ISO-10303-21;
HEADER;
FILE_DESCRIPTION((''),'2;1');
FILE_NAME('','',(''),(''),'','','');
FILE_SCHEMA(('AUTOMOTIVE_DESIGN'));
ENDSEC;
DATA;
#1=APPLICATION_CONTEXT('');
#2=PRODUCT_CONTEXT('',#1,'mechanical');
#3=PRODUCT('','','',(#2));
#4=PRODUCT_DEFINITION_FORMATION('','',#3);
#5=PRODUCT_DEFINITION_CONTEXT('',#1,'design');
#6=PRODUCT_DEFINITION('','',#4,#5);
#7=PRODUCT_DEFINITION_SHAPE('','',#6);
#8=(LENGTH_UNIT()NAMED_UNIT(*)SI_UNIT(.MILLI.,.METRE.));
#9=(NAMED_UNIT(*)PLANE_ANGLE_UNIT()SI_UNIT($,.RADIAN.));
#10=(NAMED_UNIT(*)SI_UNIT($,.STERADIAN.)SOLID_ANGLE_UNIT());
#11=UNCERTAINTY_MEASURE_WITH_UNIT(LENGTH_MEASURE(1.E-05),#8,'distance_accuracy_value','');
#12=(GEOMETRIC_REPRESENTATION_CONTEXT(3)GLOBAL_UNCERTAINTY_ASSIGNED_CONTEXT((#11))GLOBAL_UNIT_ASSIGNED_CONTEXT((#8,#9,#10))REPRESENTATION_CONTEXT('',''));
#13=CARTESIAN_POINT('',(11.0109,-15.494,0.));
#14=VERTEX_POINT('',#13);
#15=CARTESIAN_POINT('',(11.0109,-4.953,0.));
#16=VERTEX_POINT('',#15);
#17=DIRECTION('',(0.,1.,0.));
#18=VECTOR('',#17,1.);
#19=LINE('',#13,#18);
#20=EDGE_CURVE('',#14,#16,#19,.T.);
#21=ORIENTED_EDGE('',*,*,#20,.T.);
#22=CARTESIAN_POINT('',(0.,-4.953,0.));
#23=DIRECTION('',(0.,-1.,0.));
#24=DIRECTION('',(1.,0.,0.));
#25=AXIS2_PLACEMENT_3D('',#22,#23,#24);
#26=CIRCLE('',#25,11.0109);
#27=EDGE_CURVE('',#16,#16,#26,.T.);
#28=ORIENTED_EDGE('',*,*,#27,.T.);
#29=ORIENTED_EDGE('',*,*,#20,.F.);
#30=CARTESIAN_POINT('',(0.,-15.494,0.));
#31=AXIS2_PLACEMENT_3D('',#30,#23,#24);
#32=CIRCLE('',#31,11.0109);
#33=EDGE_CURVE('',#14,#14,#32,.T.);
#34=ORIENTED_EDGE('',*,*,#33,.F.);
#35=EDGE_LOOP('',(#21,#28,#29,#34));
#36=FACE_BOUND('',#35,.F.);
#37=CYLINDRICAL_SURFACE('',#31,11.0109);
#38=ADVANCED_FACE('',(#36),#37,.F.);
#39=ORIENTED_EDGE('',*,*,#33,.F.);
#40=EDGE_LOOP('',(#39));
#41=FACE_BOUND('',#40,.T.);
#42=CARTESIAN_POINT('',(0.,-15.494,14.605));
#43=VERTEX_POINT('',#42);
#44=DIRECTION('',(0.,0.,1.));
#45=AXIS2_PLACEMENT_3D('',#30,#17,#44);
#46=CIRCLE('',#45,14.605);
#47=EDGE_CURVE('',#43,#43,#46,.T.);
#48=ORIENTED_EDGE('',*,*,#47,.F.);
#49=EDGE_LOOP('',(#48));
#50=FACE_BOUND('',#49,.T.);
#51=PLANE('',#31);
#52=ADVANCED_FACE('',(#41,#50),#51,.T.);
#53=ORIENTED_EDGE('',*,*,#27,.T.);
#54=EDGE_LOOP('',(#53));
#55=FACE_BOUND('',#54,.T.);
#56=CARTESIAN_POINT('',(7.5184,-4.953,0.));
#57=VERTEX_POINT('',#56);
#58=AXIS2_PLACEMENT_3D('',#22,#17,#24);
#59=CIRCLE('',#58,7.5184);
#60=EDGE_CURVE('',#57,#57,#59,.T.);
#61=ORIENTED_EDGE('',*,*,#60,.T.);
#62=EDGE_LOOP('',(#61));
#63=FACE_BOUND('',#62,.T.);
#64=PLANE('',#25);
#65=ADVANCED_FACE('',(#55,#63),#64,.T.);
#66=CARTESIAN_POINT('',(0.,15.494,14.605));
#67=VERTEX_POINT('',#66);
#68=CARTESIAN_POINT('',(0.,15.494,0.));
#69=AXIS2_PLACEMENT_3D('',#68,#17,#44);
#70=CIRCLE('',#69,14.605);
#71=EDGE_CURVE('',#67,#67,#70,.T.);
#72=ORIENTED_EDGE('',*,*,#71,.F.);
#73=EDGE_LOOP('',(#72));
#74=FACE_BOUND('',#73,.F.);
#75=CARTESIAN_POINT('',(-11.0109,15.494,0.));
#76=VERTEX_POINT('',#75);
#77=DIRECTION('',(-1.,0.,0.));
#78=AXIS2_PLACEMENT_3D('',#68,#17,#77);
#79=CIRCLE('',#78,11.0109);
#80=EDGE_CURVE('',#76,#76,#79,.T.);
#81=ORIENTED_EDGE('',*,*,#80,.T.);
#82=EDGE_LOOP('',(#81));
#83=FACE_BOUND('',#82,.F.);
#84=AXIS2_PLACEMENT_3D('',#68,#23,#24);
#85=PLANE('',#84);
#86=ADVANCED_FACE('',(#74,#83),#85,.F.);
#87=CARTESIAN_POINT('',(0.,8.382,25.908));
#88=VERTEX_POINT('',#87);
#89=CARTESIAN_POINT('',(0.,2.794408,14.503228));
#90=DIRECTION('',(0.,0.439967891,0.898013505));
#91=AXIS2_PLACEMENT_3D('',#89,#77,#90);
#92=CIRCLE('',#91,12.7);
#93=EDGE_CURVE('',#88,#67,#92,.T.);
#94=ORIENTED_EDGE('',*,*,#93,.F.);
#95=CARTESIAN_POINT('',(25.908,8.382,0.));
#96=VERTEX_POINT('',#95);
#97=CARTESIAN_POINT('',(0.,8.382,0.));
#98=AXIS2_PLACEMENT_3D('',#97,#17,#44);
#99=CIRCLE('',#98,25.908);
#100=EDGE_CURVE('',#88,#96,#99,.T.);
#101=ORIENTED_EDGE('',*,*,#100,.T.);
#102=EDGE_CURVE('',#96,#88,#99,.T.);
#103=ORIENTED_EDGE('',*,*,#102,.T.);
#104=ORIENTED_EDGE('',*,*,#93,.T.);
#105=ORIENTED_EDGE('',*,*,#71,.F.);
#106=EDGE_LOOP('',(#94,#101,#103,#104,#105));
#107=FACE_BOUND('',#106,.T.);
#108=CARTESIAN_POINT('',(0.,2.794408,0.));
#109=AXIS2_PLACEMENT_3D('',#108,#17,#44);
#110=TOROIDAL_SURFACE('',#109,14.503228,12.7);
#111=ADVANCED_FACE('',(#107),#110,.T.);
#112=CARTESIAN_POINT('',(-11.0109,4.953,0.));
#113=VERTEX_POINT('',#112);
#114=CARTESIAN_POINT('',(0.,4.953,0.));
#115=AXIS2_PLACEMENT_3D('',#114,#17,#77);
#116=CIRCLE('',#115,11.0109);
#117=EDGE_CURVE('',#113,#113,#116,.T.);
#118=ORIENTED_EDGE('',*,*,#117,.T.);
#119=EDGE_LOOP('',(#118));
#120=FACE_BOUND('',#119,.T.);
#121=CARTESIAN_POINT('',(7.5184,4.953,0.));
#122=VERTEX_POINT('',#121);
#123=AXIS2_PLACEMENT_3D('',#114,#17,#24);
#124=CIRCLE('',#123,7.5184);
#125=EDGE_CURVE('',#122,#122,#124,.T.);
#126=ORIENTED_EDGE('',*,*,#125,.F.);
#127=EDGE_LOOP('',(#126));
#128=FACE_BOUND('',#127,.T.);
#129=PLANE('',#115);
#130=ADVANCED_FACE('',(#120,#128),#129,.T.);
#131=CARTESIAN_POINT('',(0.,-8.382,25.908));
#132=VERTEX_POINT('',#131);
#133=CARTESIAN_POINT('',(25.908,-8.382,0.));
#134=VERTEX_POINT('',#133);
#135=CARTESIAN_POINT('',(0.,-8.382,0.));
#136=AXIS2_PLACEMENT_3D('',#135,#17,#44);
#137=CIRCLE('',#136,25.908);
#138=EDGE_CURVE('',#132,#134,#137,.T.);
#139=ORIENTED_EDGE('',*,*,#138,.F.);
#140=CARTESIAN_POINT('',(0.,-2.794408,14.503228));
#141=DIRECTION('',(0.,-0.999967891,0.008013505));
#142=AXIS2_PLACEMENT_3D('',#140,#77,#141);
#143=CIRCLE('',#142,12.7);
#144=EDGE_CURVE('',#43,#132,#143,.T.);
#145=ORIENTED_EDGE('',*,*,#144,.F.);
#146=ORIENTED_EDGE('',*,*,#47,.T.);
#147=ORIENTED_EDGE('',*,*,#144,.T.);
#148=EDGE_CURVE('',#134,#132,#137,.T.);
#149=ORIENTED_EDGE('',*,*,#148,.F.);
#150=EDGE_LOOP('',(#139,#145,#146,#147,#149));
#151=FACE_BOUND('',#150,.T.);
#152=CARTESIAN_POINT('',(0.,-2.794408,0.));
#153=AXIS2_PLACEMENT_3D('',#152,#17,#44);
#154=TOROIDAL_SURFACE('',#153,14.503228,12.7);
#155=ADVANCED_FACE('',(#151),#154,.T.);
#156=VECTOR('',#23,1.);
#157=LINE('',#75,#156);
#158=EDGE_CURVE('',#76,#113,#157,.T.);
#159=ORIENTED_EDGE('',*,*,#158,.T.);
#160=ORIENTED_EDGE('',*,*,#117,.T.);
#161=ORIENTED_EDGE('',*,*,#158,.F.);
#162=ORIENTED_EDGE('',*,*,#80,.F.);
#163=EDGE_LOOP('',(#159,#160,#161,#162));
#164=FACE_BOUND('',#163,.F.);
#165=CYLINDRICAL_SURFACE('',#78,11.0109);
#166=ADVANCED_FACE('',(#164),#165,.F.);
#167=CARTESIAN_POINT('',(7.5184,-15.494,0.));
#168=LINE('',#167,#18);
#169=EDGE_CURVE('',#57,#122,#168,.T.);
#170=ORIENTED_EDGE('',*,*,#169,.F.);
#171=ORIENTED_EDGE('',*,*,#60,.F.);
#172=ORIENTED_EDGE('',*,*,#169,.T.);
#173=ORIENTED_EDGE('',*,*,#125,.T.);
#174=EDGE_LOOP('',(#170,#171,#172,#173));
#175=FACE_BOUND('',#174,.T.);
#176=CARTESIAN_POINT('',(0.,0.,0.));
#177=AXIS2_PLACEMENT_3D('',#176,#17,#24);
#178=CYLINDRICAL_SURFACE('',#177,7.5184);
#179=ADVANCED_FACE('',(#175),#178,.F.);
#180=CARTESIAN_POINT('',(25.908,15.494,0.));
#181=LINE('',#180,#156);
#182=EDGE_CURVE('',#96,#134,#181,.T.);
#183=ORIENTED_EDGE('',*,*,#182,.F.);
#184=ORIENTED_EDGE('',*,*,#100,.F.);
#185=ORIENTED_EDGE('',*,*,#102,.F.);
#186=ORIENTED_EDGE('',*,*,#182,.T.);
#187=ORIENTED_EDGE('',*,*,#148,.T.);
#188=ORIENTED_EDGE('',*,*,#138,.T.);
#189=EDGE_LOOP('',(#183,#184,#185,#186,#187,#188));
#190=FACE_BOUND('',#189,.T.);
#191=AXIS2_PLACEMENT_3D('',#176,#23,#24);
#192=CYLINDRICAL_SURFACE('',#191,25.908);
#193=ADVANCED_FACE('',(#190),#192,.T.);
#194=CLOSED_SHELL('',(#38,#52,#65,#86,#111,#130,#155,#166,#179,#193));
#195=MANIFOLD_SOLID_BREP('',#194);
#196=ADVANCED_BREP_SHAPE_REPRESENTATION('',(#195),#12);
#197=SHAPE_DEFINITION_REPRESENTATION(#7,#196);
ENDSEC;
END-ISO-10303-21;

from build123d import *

# Parameters (mm, degrees)
F0_R     = 25.908
F0_R_2   = 7.5184
F1_DEPTH = 15.494
F2_R     = 11.0109
F3_DEPTH = 10.541
F4_R     = 11.0109
F5_DEPTH = 10.541


with BuildPart() as f1:
    # F0 (on Front) → F1 (new body, symmetric)
    with BuildSketch(Plane.XZ):
        Circle(F0_R)
        Circle(F0_R_2, mode=Mode.SUBTRACT)
    extrude(amount=F1_DEPTH, both=True)

    # F2 (on face) → F3 (cut)
    with BuildSketch(Plane.XZ.offset(15.494)):
        Circle(F2_R)
    extrude(amount=-F3_DEPTH, mode=Mode.SUBTRACT)

    # F4 (on face) → F5 (cut)
    with BuildSketch(Plane(origin=(0, 15.494, 0), x_dir=(-1, 0, 0), z_dir=(0, 1, 0))):
        Circle(F4_R)
    extrude(amount=-F5_DEPTH, mode=Mode.SUBTRACT)

    # F6 (on Right) → F7 (revolve, cut)
    with BuildSketch(Plane.YZ):
        with BuildLine():
            Line((-15.494, 14.4014569813), (-15.494, 14.605))
            ThreePointArc((-15.494, 14.605), (-15.4944077798, 14.5032284906), (-15.494, 14.4014569813))
        make_face()
        with BuildLine():
            ThreePointArc((15.494, 14.4014569813), (15.4944077798, 14.5032284906), (15.494, 14.605))
            Line((15.494, 14.605), (15.494, 14.4014569813))
        make_face()
        with BuildLine():
            Line((-8.382, 25.908), (8.382, 25.908))
            ThreePointArc((8.382, 25.908), (4.2751259826, 27.1166131912), (0, 26.8919848915))
            ThreePointArc((0, 26.8919848915), (-4.2751259826, 27.1166131912), (-8.382, 25.908))
        make_face()
        with BuildLine():
            ThreePointArc((0, 26.8919848915), (4.2751259826, 27.1166131912), (8.382, 25.908))
            ThreePointArc((8.382, 25.908), (13.5435812801, 21.2667533897), (15.494, 14.605))
            Line((15.494, 14.605), (15.494, 30.48))
            Line((15.494, 30.48), (-15.494, 30.48))
            Line((-15.494, 30.48), (-15.494, 14.605))
            ThreePointArc((-15.494, 14.605), (-13.5435812801, 21.2667533897), (-8.382, 25.908))
            ThreePointArc((-8.382, 25.908), (-4.2751259826, 27.1166131912), (0, 26.8919848915))
        make_face()
    revolve(axis=Axis((0, -4.953, 0), (0, 1, 0)), mode=Mode.SUBTRACT)


solid = f1.part
